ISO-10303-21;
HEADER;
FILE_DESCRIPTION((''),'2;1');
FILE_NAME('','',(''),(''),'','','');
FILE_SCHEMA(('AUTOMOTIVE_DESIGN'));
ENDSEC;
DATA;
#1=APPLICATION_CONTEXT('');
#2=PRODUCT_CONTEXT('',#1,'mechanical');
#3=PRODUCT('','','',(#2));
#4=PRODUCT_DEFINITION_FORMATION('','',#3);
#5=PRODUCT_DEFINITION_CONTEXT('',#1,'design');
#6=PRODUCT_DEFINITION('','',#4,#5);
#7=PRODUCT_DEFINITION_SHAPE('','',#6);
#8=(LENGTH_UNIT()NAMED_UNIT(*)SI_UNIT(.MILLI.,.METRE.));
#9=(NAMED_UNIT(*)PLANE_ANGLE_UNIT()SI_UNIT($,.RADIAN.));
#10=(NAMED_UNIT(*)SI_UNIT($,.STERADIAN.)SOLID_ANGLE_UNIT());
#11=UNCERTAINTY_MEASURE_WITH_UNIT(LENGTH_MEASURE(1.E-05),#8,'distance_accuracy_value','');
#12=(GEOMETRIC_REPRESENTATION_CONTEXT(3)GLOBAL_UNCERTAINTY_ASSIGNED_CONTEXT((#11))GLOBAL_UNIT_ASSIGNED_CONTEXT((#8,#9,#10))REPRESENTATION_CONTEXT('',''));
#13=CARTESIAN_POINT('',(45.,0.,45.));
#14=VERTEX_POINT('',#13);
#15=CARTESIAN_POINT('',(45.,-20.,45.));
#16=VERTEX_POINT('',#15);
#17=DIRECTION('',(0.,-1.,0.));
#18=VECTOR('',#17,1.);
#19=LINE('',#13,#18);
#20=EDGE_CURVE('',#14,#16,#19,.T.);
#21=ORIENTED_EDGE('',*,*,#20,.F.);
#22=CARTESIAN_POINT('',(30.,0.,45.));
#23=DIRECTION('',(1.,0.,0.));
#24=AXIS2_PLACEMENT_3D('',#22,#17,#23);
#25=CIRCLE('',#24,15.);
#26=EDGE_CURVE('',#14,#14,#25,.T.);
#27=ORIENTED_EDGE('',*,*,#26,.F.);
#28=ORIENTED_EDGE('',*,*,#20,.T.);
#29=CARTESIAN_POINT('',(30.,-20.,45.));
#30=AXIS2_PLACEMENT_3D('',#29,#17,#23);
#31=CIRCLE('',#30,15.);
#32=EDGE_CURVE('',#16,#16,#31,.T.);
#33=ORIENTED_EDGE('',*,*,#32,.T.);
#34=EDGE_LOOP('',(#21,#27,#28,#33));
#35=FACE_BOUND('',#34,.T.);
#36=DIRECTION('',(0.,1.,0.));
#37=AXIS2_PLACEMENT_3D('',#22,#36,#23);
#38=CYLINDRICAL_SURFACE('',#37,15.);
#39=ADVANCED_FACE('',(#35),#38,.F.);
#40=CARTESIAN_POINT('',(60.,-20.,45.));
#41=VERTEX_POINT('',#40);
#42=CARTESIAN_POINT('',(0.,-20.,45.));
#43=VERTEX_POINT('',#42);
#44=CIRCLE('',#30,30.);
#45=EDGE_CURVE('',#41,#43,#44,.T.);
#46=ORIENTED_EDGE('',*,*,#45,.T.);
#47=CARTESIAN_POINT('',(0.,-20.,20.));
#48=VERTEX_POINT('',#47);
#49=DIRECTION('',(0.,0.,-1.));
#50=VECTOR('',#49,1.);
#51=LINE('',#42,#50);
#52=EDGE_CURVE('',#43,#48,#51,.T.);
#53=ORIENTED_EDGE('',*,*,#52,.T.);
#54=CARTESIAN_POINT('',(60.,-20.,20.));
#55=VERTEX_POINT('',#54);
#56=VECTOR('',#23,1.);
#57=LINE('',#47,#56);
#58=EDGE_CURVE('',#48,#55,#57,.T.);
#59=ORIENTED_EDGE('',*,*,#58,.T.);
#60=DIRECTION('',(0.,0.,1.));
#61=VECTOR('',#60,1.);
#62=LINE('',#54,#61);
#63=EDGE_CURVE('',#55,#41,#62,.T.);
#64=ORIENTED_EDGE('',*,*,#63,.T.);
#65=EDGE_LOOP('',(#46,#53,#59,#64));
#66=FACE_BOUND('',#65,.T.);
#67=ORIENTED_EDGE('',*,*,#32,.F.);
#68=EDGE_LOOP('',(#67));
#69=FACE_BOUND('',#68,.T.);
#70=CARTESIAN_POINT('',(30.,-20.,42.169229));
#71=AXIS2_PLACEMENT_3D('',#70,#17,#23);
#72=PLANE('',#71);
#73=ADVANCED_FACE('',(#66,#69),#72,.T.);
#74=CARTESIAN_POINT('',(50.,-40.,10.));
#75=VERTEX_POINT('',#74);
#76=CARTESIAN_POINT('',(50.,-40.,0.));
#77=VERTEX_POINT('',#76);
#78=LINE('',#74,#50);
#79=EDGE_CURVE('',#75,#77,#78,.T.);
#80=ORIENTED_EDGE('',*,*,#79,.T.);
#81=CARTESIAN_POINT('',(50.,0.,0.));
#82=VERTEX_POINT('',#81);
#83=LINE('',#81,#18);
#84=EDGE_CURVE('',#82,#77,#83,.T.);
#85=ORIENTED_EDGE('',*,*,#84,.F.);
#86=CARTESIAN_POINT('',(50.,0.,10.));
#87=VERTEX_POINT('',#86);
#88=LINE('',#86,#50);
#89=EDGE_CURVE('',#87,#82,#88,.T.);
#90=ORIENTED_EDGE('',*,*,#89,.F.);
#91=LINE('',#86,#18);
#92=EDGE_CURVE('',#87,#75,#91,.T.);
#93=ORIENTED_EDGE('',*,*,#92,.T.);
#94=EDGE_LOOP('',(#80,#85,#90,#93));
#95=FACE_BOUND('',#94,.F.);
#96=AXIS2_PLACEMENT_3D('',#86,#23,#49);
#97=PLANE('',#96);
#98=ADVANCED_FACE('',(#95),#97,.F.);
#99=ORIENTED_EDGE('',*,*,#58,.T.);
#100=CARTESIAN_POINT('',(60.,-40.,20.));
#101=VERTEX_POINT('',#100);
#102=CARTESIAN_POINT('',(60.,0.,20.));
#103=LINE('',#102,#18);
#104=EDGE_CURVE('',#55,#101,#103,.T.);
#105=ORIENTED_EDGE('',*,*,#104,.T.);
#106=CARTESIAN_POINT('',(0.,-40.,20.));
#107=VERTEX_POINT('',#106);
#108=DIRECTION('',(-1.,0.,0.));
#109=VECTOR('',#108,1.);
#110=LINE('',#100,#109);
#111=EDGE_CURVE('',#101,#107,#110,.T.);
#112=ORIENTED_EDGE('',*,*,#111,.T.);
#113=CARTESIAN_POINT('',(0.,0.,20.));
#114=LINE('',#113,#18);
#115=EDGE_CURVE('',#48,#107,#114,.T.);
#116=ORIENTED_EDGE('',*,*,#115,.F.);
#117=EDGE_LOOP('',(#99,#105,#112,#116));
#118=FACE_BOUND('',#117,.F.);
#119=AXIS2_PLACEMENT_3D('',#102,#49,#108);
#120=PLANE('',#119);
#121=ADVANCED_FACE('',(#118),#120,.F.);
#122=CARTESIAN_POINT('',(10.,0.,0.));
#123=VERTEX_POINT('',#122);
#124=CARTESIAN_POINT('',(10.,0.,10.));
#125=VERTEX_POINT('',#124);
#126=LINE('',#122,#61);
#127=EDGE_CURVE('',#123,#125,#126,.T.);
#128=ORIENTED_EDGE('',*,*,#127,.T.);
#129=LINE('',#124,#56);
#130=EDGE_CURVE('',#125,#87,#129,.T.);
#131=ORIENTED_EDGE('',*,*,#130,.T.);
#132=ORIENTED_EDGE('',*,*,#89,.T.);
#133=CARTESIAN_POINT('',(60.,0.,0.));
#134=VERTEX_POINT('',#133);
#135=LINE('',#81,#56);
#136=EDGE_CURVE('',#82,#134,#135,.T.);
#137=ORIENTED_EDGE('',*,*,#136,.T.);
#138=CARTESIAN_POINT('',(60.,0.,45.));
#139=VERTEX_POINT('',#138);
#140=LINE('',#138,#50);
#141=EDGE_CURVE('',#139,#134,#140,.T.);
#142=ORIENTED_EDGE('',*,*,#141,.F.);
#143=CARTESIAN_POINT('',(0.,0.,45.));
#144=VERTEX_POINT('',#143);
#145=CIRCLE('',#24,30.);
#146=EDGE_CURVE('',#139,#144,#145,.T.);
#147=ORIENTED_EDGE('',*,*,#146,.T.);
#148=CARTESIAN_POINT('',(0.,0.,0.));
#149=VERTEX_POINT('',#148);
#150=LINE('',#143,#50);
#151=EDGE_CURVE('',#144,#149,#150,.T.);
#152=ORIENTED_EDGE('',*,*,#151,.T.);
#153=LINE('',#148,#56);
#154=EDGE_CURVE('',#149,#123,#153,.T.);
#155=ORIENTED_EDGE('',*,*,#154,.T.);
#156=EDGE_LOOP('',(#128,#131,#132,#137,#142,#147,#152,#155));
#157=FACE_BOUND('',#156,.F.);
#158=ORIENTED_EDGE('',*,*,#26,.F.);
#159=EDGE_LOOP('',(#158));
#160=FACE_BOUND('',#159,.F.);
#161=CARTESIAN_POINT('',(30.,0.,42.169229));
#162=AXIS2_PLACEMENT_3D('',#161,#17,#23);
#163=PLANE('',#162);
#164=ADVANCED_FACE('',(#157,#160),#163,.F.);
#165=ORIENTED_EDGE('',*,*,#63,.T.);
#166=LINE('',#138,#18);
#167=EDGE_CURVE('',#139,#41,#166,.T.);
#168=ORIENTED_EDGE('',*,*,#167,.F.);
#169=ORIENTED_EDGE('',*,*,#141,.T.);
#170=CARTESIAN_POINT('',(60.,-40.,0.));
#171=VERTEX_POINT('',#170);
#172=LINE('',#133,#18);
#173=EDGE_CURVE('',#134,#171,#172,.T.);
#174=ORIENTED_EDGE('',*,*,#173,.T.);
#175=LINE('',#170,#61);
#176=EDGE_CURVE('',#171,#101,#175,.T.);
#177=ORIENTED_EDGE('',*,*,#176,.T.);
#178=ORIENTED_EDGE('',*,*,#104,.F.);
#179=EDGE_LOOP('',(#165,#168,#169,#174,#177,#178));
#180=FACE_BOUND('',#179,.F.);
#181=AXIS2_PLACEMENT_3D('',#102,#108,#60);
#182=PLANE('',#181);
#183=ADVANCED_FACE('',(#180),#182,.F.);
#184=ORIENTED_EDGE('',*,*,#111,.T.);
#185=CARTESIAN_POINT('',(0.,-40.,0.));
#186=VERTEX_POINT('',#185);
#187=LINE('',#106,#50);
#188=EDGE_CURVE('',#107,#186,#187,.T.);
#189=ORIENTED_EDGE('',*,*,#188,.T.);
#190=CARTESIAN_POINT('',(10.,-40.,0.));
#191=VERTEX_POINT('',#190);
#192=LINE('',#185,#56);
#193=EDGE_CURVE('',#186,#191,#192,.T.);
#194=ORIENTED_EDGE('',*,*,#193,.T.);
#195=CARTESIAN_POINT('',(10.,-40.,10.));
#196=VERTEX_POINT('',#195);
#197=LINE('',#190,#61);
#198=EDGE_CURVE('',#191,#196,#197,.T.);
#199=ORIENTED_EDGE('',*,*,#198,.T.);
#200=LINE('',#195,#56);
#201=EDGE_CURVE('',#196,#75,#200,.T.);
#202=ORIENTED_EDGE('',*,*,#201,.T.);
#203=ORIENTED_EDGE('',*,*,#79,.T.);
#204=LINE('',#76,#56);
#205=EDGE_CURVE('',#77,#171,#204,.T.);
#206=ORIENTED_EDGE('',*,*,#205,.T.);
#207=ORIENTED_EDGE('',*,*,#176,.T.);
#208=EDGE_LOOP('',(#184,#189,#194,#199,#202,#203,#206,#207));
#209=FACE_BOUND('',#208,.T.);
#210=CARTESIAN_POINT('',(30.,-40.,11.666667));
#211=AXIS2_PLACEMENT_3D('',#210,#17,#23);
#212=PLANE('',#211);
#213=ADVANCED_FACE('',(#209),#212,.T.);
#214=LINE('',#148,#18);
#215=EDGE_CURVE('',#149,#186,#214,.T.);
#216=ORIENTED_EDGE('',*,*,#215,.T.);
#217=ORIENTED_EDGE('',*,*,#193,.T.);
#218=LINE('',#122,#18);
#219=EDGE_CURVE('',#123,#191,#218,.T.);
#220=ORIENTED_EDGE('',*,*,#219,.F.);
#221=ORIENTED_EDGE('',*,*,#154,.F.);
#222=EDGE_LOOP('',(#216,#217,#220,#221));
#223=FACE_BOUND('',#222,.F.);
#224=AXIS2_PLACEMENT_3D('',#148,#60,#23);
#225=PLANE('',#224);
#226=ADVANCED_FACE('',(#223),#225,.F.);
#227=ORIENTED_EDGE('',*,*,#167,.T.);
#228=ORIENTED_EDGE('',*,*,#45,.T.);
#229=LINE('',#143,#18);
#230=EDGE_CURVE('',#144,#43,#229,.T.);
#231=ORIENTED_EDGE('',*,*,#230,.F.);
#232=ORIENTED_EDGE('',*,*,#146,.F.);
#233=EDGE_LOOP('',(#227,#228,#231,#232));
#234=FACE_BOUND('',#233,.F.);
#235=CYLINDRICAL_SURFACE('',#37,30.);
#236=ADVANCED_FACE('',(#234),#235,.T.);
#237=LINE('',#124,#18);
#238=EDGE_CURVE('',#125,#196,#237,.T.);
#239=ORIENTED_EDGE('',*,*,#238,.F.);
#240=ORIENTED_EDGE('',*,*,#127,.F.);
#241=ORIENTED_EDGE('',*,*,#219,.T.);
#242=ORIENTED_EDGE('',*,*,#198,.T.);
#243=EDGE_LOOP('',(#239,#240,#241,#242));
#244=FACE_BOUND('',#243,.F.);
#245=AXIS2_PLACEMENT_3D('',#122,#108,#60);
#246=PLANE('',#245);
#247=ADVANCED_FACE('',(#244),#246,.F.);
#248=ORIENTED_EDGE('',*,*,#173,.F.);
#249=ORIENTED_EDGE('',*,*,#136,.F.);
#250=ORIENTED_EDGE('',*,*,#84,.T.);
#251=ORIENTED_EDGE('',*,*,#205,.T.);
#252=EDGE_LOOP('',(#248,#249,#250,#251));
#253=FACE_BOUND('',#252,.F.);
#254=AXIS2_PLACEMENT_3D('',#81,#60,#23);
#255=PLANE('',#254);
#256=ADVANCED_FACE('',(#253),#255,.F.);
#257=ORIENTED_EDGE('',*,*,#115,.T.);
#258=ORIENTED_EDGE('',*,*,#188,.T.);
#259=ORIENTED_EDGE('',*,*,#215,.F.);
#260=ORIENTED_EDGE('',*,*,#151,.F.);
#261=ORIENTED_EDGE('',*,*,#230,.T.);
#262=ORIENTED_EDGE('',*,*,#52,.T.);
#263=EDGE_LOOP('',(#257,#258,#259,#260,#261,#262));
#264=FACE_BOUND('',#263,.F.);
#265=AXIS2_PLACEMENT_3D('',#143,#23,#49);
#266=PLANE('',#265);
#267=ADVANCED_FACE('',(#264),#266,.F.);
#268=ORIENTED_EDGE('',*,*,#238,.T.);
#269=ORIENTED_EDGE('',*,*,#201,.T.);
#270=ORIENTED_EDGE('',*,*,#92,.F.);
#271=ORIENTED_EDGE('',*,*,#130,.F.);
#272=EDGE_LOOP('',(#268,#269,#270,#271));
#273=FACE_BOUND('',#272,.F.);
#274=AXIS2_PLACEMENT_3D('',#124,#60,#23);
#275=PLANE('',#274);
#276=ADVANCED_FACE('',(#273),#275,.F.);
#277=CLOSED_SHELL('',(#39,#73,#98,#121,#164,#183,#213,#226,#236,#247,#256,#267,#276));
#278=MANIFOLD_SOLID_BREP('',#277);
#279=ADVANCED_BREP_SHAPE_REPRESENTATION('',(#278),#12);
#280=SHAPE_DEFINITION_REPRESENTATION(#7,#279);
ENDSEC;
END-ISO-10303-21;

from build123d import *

# Parameters (mm, degrees)
F1_DEPTH = 40
F0_R     = 15
F2_DEPTH = 20


with BuildPart() as f1:
    # F0 (on Front) → F1 (new body)
    with BuildSketch(Plane.XZ):
        Polygon((0, 20), (0, 0), (10, 0), (10, 10), (50, 10), (50, 0), (60, 0), (60, 20), align=None)
    extrude(amount=F1_DEPTH)

    # F0 (on Front) → F2 (join)
    with BuildSketch(Plane.XZ):
        with BuildLine():
            Line((0, 45), (0, 20))
            Line((0, 20), (60, 20))
            Line((60, 20), (60, 45))
            ThreePointArc((60, 45), (30, 75), (0, 45))
        make_face()
        with Locations((30, 45)):
            Circle(F0_R, mode=Mode.SUBTRACT)
    extrude(amount=F2_DEPTH)


solid = f1.part
